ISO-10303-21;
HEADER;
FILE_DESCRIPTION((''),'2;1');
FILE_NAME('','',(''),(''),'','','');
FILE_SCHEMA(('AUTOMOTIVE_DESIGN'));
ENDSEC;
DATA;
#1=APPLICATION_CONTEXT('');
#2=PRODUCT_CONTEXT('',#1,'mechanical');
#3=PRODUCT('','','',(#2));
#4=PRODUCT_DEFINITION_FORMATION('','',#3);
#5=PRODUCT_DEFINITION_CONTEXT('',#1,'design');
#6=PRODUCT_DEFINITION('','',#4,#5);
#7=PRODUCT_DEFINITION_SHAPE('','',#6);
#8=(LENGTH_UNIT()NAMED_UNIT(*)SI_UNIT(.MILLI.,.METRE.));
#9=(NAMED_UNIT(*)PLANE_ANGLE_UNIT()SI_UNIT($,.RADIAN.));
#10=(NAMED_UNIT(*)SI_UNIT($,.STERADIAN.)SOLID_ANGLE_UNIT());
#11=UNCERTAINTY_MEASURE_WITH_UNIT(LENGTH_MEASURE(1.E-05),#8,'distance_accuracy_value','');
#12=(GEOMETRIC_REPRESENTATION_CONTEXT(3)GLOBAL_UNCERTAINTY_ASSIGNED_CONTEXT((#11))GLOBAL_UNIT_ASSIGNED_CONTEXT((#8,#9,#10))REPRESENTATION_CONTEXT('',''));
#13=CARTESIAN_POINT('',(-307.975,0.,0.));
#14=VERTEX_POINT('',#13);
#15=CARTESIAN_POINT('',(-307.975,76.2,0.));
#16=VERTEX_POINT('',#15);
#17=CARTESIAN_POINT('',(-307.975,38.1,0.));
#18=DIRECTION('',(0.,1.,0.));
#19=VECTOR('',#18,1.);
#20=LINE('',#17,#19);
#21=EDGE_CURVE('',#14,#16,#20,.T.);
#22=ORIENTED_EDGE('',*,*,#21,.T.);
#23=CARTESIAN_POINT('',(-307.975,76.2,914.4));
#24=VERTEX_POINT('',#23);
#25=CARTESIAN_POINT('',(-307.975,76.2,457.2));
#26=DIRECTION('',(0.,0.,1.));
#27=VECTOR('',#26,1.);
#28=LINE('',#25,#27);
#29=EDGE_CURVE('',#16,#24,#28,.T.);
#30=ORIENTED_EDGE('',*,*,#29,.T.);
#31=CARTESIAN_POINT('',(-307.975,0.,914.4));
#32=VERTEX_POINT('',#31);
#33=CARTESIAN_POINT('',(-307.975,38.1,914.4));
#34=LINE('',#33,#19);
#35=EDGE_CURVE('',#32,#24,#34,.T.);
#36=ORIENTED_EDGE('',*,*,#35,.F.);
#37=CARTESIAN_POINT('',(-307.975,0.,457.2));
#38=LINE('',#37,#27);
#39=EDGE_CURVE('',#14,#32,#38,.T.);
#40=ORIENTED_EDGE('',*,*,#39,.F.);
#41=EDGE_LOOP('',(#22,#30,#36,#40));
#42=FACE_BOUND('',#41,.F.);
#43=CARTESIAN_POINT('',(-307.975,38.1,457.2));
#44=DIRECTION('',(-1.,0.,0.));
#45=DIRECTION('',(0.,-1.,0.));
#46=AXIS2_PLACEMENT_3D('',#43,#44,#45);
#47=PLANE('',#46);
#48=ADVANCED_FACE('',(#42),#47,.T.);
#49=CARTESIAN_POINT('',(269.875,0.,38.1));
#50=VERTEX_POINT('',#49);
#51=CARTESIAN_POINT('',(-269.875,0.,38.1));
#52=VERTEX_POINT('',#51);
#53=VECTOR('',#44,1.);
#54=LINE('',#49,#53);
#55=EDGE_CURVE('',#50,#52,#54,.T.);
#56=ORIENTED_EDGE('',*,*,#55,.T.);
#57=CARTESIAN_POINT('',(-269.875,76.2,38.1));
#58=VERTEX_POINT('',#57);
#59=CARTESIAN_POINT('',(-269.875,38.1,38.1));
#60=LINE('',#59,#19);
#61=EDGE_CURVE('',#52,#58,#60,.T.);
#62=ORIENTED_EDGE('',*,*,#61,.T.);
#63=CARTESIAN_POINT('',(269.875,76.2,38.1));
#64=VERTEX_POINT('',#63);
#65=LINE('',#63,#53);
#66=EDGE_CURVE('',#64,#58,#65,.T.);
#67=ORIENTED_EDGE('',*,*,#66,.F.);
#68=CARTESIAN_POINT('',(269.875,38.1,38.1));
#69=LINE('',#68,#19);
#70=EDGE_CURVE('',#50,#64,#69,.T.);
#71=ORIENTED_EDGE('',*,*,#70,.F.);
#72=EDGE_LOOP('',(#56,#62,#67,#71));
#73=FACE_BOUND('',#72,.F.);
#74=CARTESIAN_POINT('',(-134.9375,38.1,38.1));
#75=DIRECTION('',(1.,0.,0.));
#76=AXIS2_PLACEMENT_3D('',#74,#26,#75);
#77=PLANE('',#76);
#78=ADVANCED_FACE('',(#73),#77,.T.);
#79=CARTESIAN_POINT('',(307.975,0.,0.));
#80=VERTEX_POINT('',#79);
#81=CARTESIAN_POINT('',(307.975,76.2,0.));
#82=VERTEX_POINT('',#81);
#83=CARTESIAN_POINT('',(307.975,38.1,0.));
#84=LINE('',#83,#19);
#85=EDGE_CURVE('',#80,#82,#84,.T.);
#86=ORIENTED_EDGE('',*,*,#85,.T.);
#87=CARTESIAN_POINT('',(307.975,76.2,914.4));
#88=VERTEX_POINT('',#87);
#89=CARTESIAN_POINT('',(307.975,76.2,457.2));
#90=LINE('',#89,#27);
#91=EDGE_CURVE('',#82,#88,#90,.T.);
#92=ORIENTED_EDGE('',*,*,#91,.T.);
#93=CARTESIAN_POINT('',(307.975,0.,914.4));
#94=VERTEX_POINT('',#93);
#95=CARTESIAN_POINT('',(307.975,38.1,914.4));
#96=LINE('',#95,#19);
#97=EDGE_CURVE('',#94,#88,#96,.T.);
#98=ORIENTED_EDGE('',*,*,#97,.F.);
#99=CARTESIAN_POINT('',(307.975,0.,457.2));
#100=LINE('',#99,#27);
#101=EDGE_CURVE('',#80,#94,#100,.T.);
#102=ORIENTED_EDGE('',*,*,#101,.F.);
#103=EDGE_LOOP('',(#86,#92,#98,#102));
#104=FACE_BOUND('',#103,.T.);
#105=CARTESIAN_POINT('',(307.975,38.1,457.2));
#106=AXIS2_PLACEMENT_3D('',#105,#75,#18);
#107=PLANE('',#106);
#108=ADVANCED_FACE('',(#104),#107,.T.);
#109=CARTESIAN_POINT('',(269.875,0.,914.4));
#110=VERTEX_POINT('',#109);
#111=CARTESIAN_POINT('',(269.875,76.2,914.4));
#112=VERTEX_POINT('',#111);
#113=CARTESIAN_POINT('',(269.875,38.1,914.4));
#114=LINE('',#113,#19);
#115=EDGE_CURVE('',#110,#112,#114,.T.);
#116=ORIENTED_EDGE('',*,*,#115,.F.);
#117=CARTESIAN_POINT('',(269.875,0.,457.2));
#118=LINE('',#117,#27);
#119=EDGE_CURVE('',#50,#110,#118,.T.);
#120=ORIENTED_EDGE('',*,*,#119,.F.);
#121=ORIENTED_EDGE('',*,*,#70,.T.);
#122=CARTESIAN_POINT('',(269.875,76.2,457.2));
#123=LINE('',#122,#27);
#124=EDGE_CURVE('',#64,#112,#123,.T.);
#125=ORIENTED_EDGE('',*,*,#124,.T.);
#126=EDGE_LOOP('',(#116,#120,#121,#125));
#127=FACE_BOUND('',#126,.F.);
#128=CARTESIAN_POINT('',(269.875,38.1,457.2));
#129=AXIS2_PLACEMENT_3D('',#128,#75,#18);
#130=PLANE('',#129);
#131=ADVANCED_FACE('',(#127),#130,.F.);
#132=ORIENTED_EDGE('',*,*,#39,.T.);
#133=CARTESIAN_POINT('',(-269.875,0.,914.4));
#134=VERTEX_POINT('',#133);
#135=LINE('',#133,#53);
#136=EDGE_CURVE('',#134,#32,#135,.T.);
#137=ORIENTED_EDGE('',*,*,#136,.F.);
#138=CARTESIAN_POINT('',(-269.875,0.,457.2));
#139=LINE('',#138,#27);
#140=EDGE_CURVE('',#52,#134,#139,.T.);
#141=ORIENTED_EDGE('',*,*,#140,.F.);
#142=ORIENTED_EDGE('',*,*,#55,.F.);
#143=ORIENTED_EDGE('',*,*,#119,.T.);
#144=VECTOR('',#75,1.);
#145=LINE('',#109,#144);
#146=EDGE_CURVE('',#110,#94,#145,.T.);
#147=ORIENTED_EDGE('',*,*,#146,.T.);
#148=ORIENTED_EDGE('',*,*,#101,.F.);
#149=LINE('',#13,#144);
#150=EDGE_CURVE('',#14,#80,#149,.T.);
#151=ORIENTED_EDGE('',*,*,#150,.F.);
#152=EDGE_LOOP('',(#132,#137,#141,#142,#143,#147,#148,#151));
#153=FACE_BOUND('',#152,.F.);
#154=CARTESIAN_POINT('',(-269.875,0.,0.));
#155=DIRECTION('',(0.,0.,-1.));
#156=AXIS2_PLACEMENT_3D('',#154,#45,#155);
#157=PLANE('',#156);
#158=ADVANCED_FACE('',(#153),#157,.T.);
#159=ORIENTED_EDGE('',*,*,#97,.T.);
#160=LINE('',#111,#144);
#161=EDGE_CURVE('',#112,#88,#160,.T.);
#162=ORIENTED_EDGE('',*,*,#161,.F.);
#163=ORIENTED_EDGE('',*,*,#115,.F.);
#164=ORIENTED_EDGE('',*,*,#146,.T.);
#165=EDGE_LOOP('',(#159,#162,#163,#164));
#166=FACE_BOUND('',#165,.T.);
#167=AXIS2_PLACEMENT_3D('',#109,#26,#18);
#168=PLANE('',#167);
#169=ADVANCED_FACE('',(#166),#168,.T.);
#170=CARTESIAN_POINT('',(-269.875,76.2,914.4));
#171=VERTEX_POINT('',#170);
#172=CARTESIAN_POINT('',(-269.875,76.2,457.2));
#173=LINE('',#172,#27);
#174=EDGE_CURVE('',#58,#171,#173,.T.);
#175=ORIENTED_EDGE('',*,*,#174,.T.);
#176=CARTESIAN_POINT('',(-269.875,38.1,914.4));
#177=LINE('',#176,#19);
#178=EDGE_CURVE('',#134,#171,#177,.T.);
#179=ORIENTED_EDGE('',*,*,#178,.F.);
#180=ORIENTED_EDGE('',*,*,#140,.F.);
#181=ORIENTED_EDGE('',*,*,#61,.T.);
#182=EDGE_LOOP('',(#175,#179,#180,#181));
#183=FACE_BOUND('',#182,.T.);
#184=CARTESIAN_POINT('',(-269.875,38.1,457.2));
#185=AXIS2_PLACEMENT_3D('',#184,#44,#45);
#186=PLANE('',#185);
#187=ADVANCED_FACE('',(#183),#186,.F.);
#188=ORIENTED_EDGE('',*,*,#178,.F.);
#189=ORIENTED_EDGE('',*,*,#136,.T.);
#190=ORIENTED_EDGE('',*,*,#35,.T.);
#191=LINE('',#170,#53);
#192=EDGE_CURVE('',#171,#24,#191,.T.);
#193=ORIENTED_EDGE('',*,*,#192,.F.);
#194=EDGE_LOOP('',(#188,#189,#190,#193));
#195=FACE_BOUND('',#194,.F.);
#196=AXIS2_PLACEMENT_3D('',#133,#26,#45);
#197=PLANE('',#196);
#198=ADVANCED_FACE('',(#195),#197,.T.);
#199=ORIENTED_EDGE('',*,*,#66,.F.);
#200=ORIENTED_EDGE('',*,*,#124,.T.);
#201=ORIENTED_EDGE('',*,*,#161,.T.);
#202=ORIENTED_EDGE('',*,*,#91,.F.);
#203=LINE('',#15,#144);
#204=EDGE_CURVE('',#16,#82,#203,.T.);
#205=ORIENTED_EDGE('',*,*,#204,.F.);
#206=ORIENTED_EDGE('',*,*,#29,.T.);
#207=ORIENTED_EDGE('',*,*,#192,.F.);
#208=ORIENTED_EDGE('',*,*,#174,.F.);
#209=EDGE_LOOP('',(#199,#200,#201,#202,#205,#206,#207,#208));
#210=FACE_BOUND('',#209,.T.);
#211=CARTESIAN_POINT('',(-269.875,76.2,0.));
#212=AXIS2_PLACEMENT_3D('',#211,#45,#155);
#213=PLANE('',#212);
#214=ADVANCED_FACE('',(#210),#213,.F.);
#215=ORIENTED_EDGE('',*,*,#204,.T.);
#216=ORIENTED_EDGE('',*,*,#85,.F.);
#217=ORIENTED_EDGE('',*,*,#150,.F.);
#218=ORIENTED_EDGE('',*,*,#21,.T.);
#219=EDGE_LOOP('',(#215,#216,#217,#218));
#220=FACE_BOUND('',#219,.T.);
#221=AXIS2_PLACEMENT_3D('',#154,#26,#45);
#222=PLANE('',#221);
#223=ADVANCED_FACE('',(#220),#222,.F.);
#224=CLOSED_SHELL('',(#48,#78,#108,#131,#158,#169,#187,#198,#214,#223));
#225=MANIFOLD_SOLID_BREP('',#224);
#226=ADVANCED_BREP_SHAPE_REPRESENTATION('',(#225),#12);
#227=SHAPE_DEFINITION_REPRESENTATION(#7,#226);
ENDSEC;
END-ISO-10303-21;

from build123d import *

# Parameters (mm, degrees)
F0_W     = 269.875
F0_H     = 76.2
F1_DEPTH = 38.1
F2_W     = 76.2
F2_H     = 914.4
F3_DEPTH = 38.1


with BuildPart() as f1:
    # F0 (on Top) → F1 (new body)
    with BuildSketch(Plane.XY):
        with Locations((134.9375, 38.1)):
            Rectangle(F0_W, F0_H)
    extrude(amount=F1_DEPTH)

    # F2 (on face) → F3 (join)
    with BuildSketch(Plane.YZ.offset(269.875)):
        with Locations((38.1, 457.2)):
            Rectangle(F2_W, F2_H)
    extrude(amount=F3_DEPTH)

    # F4: F1 across plane


with BuildPart() as f1_1:
    add(f1.part)
    add(f1.part.mirror(Plane.YZ))


solid = f1_1.part
